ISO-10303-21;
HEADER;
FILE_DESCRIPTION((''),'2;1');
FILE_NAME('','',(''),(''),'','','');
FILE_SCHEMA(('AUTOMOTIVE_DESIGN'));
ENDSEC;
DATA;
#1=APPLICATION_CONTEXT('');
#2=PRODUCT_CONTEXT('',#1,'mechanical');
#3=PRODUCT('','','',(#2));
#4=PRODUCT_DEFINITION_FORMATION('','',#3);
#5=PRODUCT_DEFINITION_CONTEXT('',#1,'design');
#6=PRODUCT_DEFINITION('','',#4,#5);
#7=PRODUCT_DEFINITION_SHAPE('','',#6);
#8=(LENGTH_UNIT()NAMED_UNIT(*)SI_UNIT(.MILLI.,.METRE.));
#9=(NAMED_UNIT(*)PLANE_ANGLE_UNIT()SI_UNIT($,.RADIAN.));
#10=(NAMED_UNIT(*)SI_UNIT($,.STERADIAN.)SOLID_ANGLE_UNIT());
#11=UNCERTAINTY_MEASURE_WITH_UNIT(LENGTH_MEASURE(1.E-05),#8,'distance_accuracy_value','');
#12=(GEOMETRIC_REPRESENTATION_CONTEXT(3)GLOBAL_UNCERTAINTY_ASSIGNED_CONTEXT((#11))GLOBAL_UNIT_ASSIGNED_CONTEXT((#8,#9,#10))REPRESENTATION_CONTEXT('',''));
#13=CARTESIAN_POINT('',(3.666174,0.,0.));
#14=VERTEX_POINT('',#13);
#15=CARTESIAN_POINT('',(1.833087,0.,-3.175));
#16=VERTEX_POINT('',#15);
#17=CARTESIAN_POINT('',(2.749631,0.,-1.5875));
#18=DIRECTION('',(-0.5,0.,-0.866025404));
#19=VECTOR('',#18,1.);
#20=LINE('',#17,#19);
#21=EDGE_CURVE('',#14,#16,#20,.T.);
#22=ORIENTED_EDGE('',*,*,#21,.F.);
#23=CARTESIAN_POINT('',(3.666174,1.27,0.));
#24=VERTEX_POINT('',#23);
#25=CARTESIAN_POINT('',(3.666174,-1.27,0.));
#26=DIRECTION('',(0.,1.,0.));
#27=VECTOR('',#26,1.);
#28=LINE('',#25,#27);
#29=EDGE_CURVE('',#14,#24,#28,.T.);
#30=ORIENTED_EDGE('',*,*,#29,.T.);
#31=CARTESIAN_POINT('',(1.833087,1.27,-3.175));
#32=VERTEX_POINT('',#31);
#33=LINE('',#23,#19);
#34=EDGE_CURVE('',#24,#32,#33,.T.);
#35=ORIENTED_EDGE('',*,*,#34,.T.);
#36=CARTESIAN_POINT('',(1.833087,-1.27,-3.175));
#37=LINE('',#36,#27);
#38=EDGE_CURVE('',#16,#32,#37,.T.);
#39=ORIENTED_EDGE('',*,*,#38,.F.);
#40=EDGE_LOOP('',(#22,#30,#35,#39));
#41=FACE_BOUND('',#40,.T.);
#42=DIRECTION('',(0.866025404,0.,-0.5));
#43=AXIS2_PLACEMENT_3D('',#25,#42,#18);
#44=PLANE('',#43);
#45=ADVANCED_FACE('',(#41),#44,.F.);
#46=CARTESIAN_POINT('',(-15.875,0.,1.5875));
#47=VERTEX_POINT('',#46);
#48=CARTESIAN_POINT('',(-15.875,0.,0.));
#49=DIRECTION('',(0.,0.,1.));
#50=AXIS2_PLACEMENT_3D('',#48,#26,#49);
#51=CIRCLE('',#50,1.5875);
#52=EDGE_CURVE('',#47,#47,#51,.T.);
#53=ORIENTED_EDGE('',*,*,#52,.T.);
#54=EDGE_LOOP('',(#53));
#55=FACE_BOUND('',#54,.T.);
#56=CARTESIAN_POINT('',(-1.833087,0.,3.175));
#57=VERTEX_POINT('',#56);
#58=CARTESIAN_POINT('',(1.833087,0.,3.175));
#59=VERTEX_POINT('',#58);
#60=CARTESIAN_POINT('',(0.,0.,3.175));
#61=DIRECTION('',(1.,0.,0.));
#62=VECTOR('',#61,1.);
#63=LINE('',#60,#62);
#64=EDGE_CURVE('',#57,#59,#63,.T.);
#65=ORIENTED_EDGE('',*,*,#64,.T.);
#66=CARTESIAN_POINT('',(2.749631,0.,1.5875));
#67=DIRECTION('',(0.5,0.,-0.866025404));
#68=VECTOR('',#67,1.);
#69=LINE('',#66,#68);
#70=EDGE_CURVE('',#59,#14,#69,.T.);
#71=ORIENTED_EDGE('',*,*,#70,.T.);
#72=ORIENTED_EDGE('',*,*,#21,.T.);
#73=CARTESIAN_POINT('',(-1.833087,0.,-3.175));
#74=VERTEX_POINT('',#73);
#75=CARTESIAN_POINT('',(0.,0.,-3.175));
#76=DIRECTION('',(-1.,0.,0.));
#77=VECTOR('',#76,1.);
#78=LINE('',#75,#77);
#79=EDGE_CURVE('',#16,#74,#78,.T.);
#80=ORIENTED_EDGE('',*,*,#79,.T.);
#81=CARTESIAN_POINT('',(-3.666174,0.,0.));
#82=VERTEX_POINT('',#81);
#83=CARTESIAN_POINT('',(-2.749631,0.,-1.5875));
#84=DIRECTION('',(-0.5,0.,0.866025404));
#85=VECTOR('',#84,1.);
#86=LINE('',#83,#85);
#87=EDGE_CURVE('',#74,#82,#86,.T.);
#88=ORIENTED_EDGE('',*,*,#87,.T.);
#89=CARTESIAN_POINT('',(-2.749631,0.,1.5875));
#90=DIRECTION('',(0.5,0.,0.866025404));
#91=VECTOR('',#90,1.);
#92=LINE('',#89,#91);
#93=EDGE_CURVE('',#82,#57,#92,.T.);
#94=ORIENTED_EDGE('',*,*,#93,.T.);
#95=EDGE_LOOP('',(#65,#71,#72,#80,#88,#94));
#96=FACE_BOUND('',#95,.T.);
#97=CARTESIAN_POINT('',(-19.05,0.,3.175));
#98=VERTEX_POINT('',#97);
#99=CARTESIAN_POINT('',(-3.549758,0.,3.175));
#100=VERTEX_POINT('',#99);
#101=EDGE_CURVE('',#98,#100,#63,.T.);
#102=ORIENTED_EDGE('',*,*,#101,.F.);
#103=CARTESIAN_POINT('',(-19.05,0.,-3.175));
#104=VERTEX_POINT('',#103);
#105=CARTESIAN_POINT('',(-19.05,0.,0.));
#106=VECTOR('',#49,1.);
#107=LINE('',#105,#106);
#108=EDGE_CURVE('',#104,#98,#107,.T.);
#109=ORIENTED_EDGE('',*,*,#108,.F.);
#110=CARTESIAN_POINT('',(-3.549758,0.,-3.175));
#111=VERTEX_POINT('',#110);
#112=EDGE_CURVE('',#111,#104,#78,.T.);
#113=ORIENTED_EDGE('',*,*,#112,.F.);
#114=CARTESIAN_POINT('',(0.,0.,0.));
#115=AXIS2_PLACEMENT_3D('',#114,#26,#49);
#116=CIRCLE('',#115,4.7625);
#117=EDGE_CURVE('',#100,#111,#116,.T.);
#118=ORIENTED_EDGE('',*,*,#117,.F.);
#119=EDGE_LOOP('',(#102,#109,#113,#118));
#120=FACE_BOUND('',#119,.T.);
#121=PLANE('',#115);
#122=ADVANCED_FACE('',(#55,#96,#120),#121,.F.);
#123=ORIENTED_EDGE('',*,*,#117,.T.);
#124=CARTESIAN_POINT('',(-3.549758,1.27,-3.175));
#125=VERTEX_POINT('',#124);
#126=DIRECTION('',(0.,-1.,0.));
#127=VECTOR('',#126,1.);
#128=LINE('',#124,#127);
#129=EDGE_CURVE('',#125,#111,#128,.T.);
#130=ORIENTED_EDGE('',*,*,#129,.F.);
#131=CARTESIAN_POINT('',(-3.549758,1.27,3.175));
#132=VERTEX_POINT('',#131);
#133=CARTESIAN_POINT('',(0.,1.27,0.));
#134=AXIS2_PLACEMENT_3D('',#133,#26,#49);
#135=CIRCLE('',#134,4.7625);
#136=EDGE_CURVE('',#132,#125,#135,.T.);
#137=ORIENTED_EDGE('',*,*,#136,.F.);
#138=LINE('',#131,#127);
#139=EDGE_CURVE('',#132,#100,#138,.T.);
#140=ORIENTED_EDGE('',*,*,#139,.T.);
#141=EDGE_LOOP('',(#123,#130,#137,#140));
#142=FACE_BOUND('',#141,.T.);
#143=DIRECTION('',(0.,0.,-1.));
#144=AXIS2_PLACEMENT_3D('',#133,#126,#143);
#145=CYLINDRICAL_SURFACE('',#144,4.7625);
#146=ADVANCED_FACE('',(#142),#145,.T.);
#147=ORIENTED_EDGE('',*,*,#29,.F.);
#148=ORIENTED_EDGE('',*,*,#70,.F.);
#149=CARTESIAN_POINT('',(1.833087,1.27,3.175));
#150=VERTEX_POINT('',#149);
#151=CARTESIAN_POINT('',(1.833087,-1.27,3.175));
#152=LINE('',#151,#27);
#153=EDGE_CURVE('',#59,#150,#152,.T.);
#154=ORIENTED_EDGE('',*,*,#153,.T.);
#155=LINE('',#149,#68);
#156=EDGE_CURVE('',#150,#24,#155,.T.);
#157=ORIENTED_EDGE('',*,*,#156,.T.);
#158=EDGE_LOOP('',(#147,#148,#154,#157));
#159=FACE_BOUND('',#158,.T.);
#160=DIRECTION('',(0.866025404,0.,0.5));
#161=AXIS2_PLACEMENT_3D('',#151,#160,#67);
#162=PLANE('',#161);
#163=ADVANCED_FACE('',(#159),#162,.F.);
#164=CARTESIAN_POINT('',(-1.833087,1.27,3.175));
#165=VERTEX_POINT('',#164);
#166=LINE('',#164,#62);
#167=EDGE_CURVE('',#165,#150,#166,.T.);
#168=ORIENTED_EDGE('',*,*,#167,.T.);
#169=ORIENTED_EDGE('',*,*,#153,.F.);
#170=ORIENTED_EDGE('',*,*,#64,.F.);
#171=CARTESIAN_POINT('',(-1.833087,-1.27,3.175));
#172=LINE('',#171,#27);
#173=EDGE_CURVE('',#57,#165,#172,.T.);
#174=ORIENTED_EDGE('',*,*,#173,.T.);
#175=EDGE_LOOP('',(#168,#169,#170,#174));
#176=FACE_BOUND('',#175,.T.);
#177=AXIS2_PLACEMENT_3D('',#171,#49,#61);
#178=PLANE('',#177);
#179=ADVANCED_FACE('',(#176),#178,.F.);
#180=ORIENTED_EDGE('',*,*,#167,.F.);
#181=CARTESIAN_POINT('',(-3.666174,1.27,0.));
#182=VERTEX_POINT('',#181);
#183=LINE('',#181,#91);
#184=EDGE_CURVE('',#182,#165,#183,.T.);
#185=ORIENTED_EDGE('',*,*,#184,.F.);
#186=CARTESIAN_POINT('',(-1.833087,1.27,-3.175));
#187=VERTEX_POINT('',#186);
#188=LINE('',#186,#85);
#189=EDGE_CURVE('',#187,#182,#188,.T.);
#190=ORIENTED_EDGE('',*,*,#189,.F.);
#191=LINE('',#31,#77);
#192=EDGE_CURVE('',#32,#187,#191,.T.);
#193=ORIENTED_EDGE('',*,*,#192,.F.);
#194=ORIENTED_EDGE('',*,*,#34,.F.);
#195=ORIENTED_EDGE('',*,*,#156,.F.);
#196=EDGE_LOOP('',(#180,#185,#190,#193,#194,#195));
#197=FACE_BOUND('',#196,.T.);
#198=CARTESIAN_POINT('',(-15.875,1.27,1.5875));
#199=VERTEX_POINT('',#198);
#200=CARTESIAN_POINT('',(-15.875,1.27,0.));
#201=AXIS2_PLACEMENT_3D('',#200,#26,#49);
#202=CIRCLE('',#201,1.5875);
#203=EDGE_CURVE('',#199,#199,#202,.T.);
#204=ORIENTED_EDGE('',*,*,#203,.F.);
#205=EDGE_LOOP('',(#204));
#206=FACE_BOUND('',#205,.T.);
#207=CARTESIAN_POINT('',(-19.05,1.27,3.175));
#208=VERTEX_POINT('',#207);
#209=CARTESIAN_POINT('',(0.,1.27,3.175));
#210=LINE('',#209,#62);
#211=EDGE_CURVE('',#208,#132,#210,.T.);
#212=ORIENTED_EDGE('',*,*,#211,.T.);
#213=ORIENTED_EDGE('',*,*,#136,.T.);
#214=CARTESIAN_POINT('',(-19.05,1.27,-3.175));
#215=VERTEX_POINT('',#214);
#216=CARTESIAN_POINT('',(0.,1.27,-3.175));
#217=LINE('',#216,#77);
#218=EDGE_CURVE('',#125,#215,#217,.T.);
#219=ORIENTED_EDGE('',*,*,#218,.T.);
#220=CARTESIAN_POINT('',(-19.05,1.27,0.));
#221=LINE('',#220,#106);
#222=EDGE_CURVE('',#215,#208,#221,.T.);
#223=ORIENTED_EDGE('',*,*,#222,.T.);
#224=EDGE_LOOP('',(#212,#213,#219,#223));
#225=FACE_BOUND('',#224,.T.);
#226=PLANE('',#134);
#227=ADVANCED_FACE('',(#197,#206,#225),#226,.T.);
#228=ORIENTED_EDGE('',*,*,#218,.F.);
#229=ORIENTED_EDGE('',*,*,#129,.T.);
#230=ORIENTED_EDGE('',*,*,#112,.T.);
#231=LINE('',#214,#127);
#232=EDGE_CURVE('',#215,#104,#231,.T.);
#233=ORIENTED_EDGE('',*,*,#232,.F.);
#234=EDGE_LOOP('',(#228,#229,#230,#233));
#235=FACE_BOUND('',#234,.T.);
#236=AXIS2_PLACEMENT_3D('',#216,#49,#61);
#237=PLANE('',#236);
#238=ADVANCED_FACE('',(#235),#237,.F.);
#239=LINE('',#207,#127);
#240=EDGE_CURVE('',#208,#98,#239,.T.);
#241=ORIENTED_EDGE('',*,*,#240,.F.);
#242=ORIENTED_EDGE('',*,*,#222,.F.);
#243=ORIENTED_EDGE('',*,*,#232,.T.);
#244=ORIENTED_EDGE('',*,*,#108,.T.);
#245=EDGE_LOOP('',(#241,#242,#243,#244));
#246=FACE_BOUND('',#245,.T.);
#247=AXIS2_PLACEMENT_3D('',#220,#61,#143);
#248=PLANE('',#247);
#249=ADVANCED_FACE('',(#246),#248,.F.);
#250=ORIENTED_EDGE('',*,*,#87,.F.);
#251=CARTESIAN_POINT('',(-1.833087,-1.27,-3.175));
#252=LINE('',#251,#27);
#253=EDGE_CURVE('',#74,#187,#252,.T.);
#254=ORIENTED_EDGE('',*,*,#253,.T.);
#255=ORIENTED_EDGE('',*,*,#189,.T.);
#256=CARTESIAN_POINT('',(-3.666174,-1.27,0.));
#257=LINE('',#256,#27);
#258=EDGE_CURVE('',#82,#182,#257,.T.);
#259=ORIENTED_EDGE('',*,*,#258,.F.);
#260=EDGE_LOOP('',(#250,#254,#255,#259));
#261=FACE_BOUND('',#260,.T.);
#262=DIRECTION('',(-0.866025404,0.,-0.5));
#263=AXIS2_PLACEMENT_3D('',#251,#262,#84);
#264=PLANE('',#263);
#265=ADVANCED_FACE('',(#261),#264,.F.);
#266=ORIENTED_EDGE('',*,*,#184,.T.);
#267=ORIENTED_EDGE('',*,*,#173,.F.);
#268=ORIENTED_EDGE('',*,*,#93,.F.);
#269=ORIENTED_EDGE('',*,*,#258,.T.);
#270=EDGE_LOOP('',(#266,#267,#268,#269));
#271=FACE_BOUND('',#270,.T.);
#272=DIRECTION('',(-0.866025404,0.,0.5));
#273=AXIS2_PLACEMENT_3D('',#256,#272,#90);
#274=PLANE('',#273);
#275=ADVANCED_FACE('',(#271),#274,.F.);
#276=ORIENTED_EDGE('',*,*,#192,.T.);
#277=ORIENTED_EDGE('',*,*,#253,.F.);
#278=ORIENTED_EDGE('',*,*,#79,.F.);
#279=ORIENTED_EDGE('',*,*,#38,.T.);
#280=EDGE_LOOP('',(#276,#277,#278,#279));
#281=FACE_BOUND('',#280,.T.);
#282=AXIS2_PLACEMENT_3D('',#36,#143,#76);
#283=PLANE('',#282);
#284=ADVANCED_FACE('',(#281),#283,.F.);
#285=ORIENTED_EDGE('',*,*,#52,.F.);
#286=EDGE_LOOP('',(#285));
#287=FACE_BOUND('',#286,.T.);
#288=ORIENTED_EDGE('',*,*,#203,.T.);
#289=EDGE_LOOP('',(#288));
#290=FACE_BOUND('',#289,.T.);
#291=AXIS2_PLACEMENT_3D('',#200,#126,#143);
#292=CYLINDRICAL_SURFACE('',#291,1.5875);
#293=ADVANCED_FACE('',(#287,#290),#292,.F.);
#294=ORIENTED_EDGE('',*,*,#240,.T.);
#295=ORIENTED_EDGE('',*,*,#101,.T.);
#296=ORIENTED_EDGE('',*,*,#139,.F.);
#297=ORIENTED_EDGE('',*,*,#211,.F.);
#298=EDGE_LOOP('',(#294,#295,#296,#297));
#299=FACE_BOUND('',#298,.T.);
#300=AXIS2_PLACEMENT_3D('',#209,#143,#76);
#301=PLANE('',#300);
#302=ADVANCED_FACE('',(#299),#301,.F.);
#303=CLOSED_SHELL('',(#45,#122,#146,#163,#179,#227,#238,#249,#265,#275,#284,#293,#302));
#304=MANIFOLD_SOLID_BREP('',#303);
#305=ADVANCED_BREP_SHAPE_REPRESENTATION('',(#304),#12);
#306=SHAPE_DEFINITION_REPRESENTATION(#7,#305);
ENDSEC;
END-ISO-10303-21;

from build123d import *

# Parameters (mm, degrees)
SKETCH1_R           = 1.5875
BOSS_EXTRUDE1_DEPTH = 1.27
CUT_EXTRUDE1_DEPTH  = 2.54


with BuildPart() as part:
    # Sketch1 → Boss-Extrude1 (new body)
    with BuildSketch(Plane(origin=(0, 0, 0), x_dir=(1, 0, 0), z_dir=(0, 1, 0))):
        with BuildLine():
            Line((-3.549757914, 3.175), (-19.05, 3.175))
            Line((-19.05, 3.175), (-19.05, -3.175))
            Line((-19.05, -3.175), (-3.549757914, -3.175))
            ThreePointArc((-3.549757914, -3.175), (4.7625, 0), (-3.549757914, 3.175))
        make_face()
        with Locations((-15.875, 0)):
            Circle(SKETCH1_R, mode=Mode.SUBTRACT)
    extrude(amount=BOSS_EXTRUDE1_DEPTH)

    # Sketch2 → Cut-Extrude1 (cut)
    with BuildSketch(Plane(origin=(0, 1.27, 0), x_dir=(1, 0, 0), z_dir=(0, 1, 0))):
        Polygon((3.666174209, 0), (1.833087105, 3.175), (-1.833087105, 3.175), (-3.666174209, 0), (-1.833087105, -3.175), (1.833087105, -3.175), align=None)
    extrude(amount=-CUT_EXTRUDE1_DEPTH, mode=Mode.SUBTRACT)


solid = part.part
